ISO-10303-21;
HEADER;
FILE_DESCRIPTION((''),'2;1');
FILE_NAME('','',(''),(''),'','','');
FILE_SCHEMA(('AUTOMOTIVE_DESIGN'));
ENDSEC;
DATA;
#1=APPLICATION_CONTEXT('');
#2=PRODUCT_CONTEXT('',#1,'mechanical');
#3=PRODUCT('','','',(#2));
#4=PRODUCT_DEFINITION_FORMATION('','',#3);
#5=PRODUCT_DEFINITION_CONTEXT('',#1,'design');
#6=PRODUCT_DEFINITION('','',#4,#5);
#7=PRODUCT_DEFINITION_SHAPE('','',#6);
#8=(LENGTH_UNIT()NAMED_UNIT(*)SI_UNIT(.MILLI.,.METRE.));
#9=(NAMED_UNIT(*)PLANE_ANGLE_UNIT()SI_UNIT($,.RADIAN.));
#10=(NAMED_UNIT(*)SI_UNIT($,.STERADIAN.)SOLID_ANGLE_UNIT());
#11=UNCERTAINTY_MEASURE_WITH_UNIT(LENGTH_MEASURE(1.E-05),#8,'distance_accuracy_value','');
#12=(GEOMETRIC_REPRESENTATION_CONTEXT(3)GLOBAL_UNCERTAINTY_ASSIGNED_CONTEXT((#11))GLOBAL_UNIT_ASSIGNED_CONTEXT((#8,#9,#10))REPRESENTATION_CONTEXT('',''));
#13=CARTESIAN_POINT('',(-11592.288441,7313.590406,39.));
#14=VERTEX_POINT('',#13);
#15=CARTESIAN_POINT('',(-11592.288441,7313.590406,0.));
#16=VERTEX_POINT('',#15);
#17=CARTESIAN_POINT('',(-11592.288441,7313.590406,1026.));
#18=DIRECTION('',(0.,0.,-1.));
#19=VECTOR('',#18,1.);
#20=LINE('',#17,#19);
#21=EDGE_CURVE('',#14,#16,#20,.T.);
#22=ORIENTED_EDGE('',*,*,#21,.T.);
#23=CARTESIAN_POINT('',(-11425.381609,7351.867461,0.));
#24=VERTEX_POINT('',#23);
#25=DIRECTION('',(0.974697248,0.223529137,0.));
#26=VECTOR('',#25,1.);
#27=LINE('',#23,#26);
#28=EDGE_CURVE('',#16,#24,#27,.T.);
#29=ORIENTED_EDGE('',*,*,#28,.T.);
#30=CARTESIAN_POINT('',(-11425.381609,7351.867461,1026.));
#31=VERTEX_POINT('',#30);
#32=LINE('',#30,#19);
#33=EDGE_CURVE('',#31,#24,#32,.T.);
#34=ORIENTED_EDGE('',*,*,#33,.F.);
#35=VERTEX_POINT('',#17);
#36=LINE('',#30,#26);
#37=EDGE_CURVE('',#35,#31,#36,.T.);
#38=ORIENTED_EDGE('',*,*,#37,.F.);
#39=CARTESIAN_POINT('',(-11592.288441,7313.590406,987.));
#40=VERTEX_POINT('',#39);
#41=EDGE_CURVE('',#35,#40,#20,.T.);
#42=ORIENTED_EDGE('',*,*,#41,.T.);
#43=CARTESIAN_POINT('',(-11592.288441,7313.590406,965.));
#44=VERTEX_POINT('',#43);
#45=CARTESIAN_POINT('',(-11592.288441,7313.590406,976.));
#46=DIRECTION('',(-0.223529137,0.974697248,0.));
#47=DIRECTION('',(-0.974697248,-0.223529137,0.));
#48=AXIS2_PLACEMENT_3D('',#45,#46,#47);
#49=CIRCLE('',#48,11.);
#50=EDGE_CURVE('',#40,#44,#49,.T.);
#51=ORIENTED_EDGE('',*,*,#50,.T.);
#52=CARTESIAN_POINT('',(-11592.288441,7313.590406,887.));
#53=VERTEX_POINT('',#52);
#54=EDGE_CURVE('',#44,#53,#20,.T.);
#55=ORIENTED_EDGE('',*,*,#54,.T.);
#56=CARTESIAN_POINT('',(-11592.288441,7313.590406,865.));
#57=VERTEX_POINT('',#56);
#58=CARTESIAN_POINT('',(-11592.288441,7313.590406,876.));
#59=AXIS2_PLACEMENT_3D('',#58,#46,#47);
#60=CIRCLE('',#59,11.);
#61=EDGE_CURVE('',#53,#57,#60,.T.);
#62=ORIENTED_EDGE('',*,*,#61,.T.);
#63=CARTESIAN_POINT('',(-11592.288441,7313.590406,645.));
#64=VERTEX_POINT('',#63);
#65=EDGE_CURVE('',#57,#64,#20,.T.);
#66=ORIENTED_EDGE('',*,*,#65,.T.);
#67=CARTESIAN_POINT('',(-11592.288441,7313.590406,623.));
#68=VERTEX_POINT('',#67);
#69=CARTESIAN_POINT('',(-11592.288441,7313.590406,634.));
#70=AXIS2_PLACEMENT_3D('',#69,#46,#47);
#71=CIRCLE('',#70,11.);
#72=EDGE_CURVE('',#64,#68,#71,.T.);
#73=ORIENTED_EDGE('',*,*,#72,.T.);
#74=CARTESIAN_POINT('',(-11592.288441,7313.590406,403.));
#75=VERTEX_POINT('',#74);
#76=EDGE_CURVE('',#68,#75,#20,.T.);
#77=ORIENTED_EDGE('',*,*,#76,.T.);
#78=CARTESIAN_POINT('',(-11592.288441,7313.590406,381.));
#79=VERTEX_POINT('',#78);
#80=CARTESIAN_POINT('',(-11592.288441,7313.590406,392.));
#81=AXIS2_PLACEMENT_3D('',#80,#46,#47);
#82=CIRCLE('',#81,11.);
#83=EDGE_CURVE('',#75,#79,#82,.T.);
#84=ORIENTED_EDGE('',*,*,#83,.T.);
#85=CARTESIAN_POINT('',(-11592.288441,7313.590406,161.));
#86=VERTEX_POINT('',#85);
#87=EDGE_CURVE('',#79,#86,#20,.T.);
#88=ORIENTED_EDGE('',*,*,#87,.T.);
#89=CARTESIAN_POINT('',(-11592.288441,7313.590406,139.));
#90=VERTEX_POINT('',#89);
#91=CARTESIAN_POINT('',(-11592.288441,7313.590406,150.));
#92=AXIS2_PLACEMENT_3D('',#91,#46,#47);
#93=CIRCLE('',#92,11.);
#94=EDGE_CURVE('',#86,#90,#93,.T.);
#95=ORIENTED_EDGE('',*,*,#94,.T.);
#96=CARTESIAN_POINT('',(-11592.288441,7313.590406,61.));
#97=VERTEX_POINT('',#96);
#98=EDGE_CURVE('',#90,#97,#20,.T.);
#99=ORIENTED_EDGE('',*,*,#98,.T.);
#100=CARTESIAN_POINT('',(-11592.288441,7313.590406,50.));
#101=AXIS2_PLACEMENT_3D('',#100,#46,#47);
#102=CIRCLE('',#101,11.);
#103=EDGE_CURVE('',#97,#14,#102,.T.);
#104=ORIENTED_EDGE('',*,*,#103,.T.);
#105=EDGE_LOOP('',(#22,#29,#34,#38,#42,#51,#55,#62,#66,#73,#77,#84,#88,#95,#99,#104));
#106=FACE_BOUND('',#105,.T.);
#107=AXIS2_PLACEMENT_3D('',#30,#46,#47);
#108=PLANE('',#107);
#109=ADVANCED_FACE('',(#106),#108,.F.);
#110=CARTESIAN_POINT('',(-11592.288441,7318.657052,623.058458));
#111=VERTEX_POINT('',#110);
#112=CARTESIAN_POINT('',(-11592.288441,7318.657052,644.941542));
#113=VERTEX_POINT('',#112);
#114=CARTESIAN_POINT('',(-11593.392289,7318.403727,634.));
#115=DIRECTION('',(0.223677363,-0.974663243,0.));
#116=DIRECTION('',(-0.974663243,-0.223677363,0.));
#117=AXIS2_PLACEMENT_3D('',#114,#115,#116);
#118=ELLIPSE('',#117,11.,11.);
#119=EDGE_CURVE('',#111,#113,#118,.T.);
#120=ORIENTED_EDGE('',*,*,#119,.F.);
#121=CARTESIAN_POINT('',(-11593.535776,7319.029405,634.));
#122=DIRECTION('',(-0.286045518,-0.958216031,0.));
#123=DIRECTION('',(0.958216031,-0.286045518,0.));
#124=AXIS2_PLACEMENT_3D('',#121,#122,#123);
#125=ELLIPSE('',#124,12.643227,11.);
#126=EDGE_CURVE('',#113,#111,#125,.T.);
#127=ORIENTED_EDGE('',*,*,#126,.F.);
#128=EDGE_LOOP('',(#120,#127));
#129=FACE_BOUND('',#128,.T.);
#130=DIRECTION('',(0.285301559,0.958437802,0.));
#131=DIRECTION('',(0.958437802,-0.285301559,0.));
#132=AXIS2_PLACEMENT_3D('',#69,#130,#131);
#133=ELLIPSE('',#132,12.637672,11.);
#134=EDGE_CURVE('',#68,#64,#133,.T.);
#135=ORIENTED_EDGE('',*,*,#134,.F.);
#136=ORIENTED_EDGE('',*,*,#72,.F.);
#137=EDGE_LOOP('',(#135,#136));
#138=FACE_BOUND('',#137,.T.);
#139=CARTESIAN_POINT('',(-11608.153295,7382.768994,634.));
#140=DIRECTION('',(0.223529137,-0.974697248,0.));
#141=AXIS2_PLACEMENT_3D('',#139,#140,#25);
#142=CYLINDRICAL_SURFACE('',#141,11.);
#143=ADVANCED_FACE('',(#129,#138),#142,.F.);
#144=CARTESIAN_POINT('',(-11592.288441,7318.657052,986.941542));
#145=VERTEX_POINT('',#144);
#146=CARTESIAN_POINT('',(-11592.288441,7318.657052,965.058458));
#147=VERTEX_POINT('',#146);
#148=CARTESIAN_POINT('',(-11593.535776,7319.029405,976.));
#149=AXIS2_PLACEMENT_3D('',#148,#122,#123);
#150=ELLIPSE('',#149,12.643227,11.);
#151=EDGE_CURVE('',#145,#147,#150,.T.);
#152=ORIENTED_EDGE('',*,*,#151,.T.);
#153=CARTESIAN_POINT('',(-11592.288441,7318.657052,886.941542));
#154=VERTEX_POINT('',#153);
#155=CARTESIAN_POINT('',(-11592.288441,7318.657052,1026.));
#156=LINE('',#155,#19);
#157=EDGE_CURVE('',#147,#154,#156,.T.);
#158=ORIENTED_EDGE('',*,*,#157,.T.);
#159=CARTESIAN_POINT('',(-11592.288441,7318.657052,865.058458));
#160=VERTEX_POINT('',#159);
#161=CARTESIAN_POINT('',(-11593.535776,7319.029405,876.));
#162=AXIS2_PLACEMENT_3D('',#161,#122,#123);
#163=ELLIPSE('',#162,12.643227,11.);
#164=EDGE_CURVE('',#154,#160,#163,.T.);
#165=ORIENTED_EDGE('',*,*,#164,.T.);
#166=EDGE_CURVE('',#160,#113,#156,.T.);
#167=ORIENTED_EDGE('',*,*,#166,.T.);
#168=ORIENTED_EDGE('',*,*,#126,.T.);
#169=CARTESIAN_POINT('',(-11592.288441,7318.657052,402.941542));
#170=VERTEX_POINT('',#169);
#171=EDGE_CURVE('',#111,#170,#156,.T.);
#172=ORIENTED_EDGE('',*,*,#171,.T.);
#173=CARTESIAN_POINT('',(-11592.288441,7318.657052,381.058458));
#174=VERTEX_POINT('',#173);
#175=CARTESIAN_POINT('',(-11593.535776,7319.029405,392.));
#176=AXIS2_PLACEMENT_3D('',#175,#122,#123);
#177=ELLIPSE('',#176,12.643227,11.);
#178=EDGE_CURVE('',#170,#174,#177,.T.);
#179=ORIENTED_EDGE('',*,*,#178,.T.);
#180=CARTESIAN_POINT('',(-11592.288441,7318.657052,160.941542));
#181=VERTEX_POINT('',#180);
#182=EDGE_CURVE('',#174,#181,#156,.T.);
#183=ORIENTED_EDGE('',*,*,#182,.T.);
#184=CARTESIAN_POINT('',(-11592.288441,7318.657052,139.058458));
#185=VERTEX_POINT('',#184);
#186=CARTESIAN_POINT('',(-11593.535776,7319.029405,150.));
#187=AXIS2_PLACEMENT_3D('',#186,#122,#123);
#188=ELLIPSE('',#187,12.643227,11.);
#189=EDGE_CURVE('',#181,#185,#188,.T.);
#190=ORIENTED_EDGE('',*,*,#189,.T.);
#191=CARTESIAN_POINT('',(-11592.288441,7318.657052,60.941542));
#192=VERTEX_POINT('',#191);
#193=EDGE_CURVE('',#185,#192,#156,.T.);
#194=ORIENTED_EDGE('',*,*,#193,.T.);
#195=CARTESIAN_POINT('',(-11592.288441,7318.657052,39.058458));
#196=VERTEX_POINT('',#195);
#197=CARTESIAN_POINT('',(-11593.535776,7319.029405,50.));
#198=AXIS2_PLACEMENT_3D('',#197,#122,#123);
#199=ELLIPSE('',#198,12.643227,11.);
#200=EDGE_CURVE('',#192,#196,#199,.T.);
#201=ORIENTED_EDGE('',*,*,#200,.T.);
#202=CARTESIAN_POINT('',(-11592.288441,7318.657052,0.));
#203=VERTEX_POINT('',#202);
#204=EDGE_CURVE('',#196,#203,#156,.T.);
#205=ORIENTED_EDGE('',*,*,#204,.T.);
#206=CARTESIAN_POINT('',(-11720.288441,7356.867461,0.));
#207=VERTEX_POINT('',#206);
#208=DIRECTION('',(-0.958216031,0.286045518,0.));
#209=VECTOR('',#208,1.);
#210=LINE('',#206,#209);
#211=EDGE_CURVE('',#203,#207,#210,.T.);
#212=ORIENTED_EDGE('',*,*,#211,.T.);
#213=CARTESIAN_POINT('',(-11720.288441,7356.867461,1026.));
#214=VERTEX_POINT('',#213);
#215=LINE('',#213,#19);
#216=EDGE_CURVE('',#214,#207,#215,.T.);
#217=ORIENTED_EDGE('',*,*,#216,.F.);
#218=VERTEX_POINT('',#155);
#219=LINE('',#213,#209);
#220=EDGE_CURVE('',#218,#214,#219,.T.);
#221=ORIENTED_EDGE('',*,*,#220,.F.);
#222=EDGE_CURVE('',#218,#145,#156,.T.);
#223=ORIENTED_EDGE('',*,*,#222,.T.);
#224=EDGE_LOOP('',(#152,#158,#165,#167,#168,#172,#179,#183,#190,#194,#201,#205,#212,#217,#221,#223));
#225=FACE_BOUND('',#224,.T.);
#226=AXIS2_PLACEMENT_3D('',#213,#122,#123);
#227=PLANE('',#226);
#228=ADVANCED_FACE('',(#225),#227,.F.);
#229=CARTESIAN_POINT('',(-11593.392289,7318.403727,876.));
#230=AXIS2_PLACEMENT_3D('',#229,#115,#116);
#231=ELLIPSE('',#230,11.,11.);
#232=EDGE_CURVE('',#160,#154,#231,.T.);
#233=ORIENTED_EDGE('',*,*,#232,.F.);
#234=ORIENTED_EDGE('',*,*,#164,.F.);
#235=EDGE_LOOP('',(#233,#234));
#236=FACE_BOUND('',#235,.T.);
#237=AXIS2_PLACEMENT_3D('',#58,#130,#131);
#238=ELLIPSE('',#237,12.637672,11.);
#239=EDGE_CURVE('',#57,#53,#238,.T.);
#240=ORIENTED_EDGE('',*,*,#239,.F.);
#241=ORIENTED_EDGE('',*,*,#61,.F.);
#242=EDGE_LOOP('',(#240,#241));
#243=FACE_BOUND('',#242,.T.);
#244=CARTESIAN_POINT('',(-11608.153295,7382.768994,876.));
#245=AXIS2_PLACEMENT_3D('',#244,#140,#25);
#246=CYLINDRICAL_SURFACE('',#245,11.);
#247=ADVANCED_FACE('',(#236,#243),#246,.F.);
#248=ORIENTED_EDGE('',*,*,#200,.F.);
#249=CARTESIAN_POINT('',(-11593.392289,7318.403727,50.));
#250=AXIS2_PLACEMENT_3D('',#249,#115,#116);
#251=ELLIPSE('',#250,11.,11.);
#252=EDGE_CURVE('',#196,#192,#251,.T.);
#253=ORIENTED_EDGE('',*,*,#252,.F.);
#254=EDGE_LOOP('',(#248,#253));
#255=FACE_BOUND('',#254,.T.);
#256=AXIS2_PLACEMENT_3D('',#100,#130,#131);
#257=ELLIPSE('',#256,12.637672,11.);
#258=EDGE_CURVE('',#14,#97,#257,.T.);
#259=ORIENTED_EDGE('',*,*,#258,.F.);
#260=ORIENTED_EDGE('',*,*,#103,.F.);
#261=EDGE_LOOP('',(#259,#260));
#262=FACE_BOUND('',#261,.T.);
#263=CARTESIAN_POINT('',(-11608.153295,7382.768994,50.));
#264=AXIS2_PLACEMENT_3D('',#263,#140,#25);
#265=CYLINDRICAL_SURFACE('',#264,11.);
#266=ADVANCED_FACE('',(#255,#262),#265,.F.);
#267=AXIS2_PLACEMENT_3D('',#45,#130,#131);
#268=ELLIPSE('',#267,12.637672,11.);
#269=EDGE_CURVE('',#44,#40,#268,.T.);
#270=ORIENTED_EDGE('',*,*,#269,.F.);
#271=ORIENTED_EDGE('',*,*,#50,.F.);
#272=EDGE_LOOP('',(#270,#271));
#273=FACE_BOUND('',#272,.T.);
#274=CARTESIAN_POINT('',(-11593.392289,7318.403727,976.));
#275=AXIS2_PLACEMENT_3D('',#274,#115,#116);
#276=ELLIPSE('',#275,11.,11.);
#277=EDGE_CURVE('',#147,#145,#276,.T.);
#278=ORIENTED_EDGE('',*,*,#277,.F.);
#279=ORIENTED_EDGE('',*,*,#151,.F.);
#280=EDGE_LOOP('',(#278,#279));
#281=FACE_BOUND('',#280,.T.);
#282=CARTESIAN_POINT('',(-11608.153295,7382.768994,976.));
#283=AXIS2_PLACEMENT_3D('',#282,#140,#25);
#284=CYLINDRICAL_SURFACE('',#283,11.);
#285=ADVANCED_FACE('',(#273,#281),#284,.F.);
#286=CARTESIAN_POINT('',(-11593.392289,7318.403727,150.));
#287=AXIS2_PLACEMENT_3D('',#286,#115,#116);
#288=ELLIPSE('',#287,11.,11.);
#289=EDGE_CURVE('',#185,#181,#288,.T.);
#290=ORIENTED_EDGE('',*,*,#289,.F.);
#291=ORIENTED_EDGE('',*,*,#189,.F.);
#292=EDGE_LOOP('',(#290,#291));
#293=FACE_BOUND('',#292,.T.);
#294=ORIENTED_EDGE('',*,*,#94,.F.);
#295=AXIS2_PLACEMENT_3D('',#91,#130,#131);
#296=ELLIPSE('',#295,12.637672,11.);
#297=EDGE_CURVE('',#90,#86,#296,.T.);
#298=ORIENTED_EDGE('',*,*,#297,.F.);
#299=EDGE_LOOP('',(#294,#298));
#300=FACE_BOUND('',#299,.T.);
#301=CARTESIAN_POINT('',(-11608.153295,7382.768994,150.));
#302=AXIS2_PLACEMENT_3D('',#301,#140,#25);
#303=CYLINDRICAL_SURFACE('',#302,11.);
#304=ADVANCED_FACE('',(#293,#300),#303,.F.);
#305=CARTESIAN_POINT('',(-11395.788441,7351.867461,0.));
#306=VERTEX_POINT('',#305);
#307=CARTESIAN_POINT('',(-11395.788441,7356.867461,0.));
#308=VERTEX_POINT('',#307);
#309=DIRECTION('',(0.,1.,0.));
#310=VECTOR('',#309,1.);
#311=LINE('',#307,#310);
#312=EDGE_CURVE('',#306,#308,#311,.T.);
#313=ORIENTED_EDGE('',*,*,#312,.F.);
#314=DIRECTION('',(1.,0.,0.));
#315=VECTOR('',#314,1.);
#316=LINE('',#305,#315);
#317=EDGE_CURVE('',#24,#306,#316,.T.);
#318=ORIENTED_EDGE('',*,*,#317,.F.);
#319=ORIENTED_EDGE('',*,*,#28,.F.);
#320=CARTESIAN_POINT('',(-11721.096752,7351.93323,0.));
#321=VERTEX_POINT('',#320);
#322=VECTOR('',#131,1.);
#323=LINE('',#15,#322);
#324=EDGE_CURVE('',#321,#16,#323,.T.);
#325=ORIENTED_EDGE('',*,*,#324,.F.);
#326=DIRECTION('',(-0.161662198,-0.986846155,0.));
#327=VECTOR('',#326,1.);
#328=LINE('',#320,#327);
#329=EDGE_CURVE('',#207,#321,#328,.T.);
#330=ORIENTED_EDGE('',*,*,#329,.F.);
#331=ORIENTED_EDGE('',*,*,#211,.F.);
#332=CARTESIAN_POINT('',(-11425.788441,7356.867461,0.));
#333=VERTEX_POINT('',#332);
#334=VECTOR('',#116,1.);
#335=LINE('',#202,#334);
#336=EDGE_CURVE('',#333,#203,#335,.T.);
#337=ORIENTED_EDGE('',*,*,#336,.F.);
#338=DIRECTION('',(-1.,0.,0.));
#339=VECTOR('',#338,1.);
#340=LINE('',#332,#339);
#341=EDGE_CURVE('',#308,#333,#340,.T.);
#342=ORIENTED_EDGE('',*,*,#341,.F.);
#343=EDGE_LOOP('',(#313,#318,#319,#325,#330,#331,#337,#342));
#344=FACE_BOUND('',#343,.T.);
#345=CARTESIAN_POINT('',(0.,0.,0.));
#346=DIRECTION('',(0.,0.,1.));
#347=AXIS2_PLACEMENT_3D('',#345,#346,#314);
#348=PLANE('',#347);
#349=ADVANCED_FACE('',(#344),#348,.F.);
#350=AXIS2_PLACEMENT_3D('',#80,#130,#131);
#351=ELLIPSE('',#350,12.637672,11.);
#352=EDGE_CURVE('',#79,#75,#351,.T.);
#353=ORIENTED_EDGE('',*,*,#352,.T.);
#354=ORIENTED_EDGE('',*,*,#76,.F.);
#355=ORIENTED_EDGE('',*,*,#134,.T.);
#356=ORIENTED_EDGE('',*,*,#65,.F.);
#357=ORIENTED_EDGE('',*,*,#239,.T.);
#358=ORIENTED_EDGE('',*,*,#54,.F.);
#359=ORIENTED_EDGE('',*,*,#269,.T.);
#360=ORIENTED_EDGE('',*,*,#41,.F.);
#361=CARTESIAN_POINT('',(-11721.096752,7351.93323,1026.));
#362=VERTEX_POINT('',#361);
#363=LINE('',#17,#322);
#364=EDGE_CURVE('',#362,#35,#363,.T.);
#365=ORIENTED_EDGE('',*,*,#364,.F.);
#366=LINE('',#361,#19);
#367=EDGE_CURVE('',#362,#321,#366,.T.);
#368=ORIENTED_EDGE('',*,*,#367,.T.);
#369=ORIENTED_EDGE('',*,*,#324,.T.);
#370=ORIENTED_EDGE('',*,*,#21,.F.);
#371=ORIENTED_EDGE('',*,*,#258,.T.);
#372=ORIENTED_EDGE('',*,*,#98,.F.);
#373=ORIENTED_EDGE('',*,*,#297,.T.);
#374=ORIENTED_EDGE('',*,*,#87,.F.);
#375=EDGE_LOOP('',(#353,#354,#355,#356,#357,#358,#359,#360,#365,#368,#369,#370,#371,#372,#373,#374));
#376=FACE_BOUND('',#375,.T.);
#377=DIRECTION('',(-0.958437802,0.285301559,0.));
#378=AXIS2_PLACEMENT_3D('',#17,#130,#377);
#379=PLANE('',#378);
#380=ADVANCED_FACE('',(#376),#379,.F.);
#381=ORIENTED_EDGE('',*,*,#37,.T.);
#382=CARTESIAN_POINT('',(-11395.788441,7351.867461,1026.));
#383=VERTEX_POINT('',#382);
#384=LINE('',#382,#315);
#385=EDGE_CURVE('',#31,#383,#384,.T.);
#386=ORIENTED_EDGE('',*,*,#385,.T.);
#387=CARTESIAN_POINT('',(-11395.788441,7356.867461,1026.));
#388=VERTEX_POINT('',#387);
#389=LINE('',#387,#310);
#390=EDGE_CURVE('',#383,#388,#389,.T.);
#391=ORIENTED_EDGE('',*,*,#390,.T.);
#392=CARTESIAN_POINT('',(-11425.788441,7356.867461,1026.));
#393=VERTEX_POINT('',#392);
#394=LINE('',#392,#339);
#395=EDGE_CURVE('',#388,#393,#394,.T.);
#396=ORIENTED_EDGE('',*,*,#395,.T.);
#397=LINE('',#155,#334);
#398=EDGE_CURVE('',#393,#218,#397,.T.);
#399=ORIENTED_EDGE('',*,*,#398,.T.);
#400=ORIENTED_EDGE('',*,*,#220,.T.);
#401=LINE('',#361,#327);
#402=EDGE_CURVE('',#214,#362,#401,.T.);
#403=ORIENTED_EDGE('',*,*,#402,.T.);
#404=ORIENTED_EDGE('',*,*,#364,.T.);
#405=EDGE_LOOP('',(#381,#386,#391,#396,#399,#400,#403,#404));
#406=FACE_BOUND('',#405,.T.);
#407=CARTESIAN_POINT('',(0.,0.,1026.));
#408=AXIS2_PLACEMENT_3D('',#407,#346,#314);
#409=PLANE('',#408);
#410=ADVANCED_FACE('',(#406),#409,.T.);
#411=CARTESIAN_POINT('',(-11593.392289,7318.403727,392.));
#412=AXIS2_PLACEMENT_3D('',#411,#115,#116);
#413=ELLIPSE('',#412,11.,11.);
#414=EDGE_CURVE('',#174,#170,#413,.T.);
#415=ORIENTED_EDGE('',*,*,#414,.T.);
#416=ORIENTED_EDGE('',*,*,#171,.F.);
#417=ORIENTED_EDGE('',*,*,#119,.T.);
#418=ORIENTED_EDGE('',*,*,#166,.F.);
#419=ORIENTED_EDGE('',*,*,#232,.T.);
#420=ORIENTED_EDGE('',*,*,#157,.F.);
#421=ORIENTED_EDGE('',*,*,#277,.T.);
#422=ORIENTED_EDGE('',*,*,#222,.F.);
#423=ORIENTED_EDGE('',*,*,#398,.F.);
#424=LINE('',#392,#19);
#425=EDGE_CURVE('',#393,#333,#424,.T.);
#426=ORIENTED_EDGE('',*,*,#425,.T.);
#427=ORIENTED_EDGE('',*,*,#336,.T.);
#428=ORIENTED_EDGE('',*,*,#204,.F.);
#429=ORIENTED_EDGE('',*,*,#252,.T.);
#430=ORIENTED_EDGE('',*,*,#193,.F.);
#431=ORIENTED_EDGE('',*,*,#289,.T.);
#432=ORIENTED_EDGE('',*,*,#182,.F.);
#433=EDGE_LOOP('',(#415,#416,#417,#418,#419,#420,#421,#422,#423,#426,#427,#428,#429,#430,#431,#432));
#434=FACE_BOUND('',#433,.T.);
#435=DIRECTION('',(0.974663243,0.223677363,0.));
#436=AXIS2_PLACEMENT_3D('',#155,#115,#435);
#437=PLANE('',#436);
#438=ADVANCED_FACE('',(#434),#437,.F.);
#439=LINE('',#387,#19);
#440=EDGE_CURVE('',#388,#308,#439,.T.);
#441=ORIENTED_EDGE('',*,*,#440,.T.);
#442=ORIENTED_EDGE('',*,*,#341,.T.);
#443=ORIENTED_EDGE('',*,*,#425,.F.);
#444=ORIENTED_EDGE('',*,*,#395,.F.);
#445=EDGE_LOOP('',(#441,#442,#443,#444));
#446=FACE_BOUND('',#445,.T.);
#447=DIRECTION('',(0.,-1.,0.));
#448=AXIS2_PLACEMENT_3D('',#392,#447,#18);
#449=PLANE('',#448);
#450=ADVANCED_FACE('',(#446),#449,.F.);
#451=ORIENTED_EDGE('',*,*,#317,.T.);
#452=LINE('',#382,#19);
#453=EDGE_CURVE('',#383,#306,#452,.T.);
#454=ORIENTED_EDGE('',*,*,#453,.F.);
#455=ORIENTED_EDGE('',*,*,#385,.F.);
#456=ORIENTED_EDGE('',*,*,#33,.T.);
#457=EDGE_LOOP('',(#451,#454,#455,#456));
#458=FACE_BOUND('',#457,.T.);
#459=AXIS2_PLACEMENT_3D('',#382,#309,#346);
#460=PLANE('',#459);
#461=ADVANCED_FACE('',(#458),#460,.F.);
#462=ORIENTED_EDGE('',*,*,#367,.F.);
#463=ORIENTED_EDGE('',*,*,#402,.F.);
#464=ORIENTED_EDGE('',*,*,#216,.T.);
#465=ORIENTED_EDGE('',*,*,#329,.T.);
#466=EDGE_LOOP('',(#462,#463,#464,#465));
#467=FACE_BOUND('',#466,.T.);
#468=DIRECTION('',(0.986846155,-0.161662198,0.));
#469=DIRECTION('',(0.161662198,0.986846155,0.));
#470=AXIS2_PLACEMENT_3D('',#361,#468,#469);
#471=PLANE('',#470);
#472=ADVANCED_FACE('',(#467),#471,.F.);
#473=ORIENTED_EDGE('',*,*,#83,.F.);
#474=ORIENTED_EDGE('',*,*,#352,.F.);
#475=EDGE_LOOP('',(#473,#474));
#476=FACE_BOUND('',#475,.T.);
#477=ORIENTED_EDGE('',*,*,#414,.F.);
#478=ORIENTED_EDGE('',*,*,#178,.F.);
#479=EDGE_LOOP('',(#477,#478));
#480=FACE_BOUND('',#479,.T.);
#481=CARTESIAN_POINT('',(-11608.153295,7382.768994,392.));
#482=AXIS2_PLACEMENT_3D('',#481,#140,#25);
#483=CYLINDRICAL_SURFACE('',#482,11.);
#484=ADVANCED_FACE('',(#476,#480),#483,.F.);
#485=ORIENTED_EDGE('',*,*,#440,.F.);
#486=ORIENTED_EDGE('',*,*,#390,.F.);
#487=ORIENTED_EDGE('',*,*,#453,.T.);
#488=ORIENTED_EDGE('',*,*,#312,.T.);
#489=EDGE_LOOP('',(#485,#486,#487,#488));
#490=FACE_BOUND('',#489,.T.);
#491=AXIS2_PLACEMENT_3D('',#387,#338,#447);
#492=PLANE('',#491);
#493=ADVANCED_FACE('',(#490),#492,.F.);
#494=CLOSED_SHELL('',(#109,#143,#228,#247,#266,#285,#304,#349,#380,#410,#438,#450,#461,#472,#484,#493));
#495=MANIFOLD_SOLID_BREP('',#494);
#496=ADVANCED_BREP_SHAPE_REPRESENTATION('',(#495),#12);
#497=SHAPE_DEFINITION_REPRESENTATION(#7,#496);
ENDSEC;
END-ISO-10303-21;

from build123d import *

# Parameters (mm, degrees)
BOSS_EXTRUDE1_DEPTH     = 1026
CUT_EXTRUDE1_DEPTH      = 9844.379832938
CUT_EXTRUDE1_DEPTH_BACK = 9844.379832938
SKETCH2_R               = 11


with BuildPart() as part:
    # Sketch1 → Boss-Extrude1 (new body)
    with BuildSketch(Plane.XY):
        Polygon((-11592.288440525, 7313.590405803), (-11721.096751517, 7351.933229733), (-11720.288440525, 7356.867460508), (-11592.288440525, 7318.657051678), (-11425.788440525, 7356.867460508), (-11395.788440525, 7356.867460508), (-11395.788440525, 7351.867460508), (-11425.381609332, 7351.867460508), align=None)
    extrude(amount=BOSS_EXTRUDE1_DEPTH)

    # Sketch2 → Cut-Extrude1 (cut, two sides: drawn at the far end of the back side and taken through both)
    with BuildSketch(Plane(origin=(-2172.647475249, 9473.814226158, 0), x_dir=(0.9746972479016649, 0.22352913665318996, 0), z_dir=(0.22352913665318996, -0.9746972479016649, 0)).offset(-CUT_EXTRUDE1_DEPTH_BACK)):
        with Locations(Location((-9664.171090618, 50, 0), (0, 0, 275.90955698))):
            Circle(SKETCH2_R)
        with Locations(Location((-9664.171090618, 150, 0), (0, 0, 275.90955698))):
            Circle(SKETCH2_R)
        with Locations(Location((-9664.171090618, 392, 0), (0, 0, 275.90955698))):
            Circle(SKETCH2_R)
        with Locations(Location((-9664.171090618, 876, 0), (0, 0, 275.90955698))):
            Circle(SKETCH2_R)
        with Locations(Location((-9664.171090618, 976, 0), (0, 0, 275.90955698))):
            Circle(SKETCH2_R)
        with Locations(Location((-9664.171090618, 634, 0), (0, 0, 275.90955698))):
            Circle(SKETCH2_R)
    extrude(amount=CUT_EXTRUDE1_DEPTH + CUT_EXTRUDE1_DEPTH_BACK, mode=Mode.SUBTRACT)


solid = part.part
